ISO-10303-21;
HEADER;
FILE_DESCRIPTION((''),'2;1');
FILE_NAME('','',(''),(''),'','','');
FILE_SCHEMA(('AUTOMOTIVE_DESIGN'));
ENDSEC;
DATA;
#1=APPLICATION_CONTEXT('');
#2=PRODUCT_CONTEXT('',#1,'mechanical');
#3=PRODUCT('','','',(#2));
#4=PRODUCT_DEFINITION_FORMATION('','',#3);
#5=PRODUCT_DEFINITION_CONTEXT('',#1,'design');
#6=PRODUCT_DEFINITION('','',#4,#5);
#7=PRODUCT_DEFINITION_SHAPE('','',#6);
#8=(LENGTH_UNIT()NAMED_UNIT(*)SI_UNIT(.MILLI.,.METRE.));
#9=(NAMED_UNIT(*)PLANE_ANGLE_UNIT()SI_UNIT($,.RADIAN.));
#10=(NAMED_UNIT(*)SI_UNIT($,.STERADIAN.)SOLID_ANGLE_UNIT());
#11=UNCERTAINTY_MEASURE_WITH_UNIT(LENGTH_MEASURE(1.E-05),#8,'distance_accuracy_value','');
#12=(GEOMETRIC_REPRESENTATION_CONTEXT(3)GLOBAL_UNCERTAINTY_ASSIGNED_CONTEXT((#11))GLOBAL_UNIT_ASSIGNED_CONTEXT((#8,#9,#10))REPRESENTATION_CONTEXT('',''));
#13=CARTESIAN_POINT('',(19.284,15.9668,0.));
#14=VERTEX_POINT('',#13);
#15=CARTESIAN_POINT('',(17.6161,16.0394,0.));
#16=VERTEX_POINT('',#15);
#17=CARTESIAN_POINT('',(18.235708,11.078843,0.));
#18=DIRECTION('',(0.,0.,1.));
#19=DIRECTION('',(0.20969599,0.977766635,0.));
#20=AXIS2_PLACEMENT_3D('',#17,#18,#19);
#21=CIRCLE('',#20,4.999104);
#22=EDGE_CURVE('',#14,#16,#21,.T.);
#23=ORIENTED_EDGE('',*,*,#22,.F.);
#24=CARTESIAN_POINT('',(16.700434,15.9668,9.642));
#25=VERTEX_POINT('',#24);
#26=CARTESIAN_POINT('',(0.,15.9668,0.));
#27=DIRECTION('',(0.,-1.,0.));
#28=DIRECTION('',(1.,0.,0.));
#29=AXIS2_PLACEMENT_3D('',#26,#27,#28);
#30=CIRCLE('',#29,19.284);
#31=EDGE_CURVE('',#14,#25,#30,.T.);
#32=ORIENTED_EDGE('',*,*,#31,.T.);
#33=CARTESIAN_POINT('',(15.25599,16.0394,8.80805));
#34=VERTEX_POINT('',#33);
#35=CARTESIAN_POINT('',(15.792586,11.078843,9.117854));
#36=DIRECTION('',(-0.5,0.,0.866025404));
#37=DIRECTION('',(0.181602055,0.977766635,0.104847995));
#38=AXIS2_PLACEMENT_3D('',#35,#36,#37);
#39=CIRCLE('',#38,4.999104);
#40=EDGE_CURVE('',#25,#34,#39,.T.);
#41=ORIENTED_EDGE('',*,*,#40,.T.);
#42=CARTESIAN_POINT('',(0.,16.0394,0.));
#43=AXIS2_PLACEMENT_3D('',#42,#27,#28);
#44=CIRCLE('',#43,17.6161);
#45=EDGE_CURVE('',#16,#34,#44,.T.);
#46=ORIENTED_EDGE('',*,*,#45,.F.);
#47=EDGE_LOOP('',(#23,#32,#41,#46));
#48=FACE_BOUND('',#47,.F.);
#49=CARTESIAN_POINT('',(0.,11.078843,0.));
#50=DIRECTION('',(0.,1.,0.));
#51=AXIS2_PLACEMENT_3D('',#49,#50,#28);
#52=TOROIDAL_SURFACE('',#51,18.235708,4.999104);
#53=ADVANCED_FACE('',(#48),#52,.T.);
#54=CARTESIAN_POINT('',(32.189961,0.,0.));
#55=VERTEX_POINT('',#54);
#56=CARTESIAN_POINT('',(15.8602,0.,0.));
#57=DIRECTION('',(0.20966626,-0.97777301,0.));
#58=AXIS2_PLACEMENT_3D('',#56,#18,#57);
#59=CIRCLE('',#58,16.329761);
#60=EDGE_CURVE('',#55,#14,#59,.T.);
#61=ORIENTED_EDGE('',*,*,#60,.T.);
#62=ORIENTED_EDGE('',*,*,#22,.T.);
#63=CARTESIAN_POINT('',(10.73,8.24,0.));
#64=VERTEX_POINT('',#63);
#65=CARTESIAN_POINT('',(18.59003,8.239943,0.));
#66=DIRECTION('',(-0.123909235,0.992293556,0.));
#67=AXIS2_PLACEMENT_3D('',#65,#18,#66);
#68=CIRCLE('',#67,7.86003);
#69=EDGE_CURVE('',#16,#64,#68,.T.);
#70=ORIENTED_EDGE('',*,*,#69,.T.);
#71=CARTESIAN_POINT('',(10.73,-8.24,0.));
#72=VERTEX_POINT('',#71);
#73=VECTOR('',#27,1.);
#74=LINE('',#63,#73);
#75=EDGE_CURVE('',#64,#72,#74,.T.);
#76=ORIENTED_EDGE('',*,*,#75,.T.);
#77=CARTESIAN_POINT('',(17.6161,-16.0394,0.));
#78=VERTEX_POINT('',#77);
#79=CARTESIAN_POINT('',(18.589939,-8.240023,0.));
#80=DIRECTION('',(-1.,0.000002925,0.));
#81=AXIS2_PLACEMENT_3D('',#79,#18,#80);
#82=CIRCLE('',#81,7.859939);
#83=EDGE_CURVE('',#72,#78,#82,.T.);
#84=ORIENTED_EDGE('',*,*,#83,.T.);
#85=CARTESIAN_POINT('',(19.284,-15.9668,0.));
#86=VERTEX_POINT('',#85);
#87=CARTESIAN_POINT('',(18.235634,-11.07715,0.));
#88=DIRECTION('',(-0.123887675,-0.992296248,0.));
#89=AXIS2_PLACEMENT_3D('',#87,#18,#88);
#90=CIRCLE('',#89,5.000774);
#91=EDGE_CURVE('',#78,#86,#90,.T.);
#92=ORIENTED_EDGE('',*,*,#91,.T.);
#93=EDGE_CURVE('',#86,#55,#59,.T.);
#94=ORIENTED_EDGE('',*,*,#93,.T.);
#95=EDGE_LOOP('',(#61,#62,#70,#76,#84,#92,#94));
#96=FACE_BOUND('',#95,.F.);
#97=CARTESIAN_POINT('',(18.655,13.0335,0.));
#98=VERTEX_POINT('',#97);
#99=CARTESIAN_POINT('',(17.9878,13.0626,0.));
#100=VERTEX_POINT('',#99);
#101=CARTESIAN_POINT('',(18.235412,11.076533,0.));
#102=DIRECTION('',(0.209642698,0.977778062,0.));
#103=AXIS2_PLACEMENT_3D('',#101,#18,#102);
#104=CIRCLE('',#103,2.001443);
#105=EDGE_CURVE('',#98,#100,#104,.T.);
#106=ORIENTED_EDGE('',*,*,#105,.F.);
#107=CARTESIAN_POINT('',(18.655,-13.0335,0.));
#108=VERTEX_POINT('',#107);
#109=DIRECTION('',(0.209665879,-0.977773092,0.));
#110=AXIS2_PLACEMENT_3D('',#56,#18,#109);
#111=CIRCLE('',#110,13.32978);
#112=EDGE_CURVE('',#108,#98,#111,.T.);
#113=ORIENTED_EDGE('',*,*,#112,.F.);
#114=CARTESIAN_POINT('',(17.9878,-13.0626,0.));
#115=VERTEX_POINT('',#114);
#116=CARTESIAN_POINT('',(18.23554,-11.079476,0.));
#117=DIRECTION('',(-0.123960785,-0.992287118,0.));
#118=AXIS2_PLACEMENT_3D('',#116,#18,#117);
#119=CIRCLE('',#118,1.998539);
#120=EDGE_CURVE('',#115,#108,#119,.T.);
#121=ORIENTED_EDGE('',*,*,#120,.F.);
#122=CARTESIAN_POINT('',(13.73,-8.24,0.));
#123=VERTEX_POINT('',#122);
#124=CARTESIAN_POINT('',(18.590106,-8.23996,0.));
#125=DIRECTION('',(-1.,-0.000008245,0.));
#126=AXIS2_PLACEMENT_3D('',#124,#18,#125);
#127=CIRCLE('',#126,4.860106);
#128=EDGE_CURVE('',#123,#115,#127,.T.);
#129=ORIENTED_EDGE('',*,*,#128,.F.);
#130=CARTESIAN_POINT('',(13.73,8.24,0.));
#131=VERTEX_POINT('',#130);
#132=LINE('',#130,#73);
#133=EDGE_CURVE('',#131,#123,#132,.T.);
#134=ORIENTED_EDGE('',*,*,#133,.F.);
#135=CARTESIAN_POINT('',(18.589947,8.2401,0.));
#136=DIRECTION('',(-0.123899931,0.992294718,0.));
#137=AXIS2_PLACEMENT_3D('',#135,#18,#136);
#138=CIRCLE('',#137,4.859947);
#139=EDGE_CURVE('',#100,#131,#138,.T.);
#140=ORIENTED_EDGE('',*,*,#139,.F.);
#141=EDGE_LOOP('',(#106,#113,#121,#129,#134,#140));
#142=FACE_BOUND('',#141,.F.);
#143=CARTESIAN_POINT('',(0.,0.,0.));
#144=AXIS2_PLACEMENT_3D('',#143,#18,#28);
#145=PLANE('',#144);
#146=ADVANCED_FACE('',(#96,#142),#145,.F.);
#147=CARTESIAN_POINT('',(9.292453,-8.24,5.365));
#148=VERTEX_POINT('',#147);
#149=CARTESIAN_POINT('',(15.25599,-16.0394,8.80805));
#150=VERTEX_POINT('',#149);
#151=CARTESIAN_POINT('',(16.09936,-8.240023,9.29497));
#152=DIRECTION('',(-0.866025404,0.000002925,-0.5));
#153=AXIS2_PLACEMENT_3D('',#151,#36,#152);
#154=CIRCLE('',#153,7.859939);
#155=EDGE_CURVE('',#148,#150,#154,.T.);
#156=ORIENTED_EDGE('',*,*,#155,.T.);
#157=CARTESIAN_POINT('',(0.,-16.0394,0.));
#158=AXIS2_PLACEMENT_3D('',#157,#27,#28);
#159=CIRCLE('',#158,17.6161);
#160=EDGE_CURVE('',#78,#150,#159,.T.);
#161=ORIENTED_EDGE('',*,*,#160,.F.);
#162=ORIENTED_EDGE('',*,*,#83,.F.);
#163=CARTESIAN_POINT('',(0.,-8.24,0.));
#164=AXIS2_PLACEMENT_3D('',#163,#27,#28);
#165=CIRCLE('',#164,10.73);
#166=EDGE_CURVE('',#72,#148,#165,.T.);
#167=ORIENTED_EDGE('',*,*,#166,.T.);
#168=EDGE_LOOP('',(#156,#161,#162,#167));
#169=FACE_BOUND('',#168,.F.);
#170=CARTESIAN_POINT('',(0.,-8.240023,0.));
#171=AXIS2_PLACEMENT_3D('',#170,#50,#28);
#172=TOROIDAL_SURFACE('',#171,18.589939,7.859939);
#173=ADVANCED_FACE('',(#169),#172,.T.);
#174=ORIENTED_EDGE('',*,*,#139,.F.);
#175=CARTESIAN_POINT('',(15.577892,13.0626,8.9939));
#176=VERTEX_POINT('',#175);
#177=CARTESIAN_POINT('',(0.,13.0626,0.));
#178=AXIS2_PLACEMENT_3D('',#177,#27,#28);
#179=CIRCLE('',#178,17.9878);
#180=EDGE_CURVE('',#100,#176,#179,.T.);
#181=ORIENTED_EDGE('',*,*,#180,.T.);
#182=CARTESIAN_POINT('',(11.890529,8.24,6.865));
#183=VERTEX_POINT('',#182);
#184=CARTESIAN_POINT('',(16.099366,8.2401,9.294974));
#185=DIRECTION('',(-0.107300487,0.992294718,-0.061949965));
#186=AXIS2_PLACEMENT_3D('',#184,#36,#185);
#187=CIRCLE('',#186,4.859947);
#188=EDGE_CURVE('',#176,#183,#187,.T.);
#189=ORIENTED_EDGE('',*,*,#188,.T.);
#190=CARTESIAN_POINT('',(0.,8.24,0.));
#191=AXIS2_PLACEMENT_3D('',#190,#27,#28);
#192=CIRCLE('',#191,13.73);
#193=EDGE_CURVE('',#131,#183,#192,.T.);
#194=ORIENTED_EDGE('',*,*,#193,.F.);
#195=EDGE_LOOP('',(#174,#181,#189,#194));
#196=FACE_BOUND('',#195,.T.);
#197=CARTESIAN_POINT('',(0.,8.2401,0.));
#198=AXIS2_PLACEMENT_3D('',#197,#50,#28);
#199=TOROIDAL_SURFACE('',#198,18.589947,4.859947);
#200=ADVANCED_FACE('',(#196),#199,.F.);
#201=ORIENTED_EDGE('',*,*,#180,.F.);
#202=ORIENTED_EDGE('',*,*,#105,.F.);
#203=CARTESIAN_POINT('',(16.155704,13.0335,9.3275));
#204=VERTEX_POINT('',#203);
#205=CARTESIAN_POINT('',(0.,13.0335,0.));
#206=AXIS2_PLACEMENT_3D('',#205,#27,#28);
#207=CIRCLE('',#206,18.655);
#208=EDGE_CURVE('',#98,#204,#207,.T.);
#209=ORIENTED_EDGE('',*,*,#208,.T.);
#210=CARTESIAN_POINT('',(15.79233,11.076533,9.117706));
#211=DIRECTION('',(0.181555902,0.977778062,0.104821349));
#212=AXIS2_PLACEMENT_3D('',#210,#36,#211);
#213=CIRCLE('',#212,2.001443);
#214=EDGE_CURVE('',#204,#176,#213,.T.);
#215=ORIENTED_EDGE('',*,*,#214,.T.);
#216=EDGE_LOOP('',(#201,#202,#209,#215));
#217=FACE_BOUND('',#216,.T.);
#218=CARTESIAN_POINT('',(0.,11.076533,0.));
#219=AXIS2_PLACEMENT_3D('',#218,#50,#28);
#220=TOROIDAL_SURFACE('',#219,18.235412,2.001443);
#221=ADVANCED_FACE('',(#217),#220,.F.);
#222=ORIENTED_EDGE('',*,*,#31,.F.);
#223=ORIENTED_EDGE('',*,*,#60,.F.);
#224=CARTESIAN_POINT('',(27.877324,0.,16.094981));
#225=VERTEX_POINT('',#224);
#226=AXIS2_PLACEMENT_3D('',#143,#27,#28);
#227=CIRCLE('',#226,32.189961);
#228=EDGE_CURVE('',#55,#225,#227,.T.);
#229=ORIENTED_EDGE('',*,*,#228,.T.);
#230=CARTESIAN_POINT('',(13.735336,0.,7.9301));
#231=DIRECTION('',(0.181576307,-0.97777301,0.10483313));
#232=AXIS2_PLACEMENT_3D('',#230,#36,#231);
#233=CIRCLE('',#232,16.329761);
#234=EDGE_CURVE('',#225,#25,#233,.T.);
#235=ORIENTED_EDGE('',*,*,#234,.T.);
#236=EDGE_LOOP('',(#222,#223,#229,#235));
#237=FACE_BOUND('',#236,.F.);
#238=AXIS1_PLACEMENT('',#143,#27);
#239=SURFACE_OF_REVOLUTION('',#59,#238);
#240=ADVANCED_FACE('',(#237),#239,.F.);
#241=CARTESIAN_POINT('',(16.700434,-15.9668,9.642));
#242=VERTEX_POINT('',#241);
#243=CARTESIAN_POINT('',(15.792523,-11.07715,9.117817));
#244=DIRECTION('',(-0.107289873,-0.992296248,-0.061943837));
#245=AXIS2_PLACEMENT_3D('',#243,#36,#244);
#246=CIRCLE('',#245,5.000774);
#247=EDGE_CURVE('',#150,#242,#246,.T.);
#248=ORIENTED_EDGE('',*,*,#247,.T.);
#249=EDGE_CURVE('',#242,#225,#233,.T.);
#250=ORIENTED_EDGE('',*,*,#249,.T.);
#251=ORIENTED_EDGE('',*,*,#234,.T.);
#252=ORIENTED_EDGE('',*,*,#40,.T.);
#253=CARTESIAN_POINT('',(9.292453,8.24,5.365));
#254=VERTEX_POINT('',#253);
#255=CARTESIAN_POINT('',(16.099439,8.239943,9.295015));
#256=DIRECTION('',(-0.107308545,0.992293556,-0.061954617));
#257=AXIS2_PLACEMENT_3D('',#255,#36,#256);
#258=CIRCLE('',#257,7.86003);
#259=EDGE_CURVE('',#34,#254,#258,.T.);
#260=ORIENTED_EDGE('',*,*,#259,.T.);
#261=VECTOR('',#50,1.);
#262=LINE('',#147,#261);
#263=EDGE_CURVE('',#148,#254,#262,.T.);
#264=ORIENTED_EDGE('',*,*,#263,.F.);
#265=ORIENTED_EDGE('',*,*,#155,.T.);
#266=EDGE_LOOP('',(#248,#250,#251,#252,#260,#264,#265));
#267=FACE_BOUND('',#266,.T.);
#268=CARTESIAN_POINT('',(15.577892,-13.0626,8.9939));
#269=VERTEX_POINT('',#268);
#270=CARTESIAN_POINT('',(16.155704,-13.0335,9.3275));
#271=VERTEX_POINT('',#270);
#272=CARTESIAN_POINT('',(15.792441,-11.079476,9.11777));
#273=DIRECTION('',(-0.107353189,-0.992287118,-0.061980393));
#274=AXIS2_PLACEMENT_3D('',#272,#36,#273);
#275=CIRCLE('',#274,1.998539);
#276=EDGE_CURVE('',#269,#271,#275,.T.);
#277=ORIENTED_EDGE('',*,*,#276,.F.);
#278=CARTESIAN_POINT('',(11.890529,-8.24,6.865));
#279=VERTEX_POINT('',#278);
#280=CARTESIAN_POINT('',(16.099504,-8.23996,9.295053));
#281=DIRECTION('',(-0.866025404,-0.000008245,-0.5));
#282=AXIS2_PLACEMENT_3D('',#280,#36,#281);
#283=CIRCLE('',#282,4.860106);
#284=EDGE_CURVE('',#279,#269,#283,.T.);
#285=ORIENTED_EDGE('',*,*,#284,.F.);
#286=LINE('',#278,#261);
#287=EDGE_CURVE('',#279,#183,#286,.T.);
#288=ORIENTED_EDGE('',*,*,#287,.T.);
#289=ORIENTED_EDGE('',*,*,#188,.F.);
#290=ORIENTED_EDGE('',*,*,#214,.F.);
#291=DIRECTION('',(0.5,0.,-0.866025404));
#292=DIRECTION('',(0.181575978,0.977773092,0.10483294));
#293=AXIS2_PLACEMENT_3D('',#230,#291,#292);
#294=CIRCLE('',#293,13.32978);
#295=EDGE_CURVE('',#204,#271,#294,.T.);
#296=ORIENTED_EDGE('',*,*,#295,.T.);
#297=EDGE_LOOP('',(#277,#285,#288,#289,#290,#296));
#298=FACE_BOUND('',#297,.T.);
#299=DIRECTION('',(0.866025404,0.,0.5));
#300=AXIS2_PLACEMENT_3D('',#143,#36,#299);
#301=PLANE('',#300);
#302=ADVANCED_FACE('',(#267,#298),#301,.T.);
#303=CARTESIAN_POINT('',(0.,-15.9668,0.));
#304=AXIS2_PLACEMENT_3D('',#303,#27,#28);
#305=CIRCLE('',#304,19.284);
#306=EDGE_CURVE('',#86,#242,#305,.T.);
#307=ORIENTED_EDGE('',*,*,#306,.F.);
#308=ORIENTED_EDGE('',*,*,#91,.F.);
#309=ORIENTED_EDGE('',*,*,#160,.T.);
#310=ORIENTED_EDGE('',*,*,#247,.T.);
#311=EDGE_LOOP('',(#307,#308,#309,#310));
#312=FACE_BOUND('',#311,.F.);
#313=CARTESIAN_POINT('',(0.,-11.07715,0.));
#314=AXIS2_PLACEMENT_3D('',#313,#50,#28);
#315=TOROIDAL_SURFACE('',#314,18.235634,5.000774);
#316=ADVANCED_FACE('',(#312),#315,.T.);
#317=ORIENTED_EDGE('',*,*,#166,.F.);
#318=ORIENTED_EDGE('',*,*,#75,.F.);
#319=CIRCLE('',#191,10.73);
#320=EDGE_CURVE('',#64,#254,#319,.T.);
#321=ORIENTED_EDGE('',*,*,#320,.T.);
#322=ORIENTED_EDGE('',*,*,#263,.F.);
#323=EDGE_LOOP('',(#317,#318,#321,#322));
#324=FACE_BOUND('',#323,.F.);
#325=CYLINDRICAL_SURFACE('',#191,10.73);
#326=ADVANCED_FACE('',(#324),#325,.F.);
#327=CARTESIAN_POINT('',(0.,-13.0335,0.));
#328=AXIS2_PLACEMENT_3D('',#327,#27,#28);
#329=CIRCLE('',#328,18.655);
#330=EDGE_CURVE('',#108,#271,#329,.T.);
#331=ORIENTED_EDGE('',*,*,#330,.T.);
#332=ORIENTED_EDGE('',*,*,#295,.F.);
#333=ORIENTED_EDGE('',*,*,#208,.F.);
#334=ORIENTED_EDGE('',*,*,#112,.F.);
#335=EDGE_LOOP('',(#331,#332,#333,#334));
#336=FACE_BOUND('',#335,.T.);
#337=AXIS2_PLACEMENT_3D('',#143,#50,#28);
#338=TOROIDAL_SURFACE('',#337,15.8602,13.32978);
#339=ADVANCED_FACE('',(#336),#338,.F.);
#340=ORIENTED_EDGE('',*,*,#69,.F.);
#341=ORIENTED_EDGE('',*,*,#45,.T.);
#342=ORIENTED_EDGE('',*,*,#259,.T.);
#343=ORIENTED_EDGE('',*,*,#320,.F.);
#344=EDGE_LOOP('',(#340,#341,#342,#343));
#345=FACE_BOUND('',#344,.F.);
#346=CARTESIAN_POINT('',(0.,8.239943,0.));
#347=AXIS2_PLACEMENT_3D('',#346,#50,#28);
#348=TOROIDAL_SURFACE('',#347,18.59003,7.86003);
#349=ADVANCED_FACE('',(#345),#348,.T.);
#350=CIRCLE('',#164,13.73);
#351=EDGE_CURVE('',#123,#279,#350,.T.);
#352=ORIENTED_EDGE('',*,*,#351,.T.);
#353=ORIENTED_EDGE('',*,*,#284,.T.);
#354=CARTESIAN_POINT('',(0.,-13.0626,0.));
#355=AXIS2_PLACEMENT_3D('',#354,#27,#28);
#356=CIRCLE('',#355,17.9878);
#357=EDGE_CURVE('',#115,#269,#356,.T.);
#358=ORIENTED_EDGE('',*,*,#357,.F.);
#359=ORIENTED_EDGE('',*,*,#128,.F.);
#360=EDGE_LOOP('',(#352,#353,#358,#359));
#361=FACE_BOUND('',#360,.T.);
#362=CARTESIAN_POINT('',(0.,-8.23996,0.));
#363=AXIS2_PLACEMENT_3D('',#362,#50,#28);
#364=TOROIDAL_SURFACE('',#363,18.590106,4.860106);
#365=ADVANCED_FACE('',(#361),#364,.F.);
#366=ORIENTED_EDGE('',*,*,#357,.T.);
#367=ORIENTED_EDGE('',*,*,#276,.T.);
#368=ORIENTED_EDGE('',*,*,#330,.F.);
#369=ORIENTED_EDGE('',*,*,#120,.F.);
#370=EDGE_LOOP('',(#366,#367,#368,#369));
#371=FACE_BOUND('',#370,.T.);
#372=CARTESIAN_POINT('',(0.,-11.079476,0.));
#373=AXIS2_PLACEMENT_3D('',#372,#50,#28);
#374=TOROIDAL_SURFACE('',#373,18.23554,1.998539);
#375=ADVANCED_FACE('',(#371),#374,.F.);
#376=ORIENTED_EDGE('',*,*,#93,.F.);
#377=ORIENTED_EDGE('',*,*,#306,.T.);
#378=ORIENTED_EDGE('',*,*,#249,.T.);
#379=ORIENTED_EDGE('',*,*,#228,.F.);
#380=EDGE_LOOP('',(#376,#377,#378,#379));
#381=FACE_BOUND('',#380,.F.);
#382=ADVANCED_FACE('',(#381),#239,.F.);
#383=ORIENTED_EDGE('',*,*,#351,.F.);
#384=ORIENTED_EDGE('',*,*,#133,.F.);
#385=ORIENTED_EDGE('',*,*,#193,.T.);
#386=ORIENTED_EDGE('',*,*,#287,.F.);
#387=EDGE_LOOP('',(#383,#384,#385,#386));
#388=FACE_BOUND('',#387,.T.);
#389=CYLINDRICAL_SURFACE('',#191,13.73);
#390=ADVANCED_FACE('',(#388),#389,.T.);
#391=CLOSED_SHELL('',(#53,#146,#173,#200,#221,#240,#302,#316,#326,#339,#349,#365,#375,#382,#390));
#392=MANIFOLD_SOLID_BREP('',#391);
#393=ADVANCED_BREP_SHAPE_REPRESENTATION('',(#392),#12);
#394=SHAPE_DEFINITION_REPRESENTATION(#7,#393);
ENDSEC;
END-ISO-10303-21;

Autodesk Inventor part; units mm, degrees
ref_plane "Work Plane1" through (-7, 0, -29.5697) normal (1, 0, 0) x (0, 0, -1)
ref_plane "YZ Plane" through (0, 0, 0) normal (1, 0, 0) x (0, 1, 0)
ref_plane "XZ Plane" through (0, 0, 0) normal (0, 1, 0) x (-1, 0, 0)
sketch "Sketch1" plane through (0, 0, 0) normal (0, 0, 1) x (1, 0, 0)
  line L0 (0, 0) -> (0, 16.1) construction
  line L1 (10.73, 8.24) -> (10.73, -8.24)
  line L2 (18.59, 16.1) -> (18.59, -16.1) construction
  arc A0 (17.6161, 16.0394) -> (10.73, 8.24) centre (18.59, 8.24) ccw
  arc A1 (10.73, -8.24) -> (17.6161, -16.0394) centre (18.59, -8.24) ccw
  arc A2 (19.284, -15.9668) -> (19.284, 15.9668) centre (15.8602, 0) ccw
  line L3 (0, 0) -> (51.4073, 0)
  arc A3 (19.284, 15.9668) -> (17.6161, 16.0394) centre (18.2356, 11.078) ccw
  arc A4 (17.6161, -16.0394) -> (19.284, -15.9668) centre (18.2356, -11.078) ccw
  arc A5 (18.655, 13.0335) -> (17.9878, 13.0626) centre (18.2356, 11.078) ccw
  arc A6 (17.9878, 13.0626) -> (13.73, 8.24) centre (18.59, 8.24) ccw
  line L4 (13.73, 8.24) -> (13.73, -8.24)
  arc A7 (13.73, -8.24) -> (17.9878, -13.0626) centre (18.59, -8.24) ccw
  arc A8 (17.9878, -13.0626) -> (18.655, -13.0335) centre (18.2356, -11.078) ccw
  arc A9 (18.655, -13.0335) -> (18.655, 13.0335) centre (15.8602, 0) ccw
  point P0 (10.73, 0)
  point P1 (32.19, 0)
  point P2 (18.59, 0)
  dimension "MaxHeight" = 16.1
  dimension "FlatHeightx2" = 16.48
  dimension "ID" = 21.46
  dimension "OD" = 64.38
  dimension "d5" = 32.2
  dimension "RadAtPeak" = 18.59
  dimension "d90" = 5
  dimension "d97" = 3
revolve "Revolution1" add sketch "Sketch1" angle 30 about axis through (0, 0, 0) along (0, -1, 0) contours A0 A3 A2 L3 A9 A5 A6 L4 L1 | L3 L4 A7 A8 A9 A2 A4 A1 L1
sketch "Sketch13" plane through (10.73, -8.24, 0) normal (0, 0, -1) x (-1, 0, 0)
  arc A0 (0, 16.48) -> (-6.8861, 24.2794) centre (-7.86, 16.48) ccw projected
  arc A1 (-6.8861, 24.2794) -> (-8.554, 24.2068) centre (-7.5056, 19.318) ccw projected
  arc A2 (-8.554, 24.2068) -> (-8.6304, 24.1903) centre (-5.1302, 8.24) ccw projected
  arc A3 (-8.554, -7.7268) -> (-6.8861, -7.7994) centre (-7.5056, -2.838) ccw projected
  arc A4 (-6.8861, -7.7994) -> (0, 0) centre (-7.86, 0) ccw projected
  line L0 (0, 16.48) -> (0, 0) projected
  line L1 (-7.86, 0) -> (3, 0)
  line L2 (3, 0) -> (3, 16.48)
  line L3 (3, 16.48) -> (-7.86, 16.48)
  line L4 (-7.86, 16.48) -> (-7.86, 0)
  arc A5 (-8.6304, 24.1903) -> (-8.6304, -7.7103) centre (-5.1302, 8.24) ccw projected
  point P0 (10.73, 8.24)
  point P1 (-4.6967, 8.3392)
  dimension "d93" = 3
sketch "Sketch7" plane through (0, 0, 0) normal (0, 1, 0) x (-1, 0, 0)
  circle A0 centre (0, 0) radius 198.9616
sketch "Sketch8" plane through (0, 0, 0) normal (1, 0, 0) x (0, 1, 0)
  circle A0 centre (0, 0) radius 159.0195
sketch "Sketch9" plane through (0, 0, 0) normal (1, 0, 0) x (0, 0, -1)
  line L0 (74, 0) -> (35, 0) projected
  point P0 (0, 0)
  point P1 (-52.5, 0)
  point P2 (0, 0)
  point P3 (52.5, 0)
  dimension "d88" = 105
  dimension "d89" = 52.5
sketch "Sketch11" plane through (0, 0, 0) normal (1, 0, 0) x (0, 0, -1)
  arc A0 (-35, 25.9107) -> (-42.6927, 34.8921) centre (-44.0893, 25.9107) ccw projected
  line L0 (-35, 25.9107) -> (-35, 0) projected
  line L1 (-35, 0) -> (35, 0) projected
  arc A1 (-50.0415, 0) -> (-54.9585, 0) centre (-52.5, 0) ccw projected
  arc A2 (-50.0415, 0) -> (-54.9585, 0) centre (-37.5, 0) ccw projected
  arc A3 (-39.8678, 39.0634) -> (-73, 0) centre (-33.4058, 0) ccw
  arc A4 (-29.5697, 27.789) -> (-36.4391, 38.3935) centre (-44.0893, 25.9107) ccw
  line L2 (-29.5697, 27.789) -> (-29.5697, 0)
  line L3 (-35, 0) -> (35, 0) projected
  line L4 (-73, 0) -> (-29.5697, 0)
  arc A5 (-36.4391, 38.3935) -> (-39.8678, 39.0634) centre (-39.0518, 34.1304) ccw
  point P0 (0, 0)
  point P1 (-35, 0)
  point P2 (-29.5697, 0)
  point P3 (-54.9585, 0)
  point P4 (-50.0415, 0)
  dimension "d91" = 5
sketch "Sketch6" plane through (0.6222, 0, 0.3592) normal (-0.5, 0, 0.866) x (0, 1, 0)
  line L0 (-8.24, -10.0116) -> (8.24, -10.0116) projected
  arc A0 (-15.9668, -18.5655) -> (15.9668, -18.5655) centre (0, -15.1418) ccw projected
  arc A1 (-17.2892, -21.2298) -> (17.2892, -21.2298) centre (0, -15.1418) ccw
  line L1 (15.9668, -18.5655) -> (15.4028, -18.5655)
  arc A2 (17.2892, -21.2298) -> (15.4028, -18.5655) centre (15.4028, -20.5655) ccw
  line L2 (-15.4028, -18.5655) -> (-15.9668, -18.5655)
  arc A3 (-15.4028, -18.5655) -> (-17.2892, -21.2298) centre (-15.4028, -20.5655) ccw
  line L3 (-25.2101, 0.7184) -> (25.2101, 0.7184) projected
  point P0 (0, 0.7184)
  point P1 (-18.0072, -18.5655)
  point P2 (18.0072, -18.5655)
  point P3 (15.9503, -18.6419)
  point P4 (-15.9503, -18.6419)
  dimension "d47" = 2
  dimension "d48" = 2
  dimension "d49" = 2
equation "\"d5\" = 2 * MaxHeight"
equation "\"d63_Copy\" = 35"
properties part number "L_Notch1-Wedge" material "UHMW, White"
